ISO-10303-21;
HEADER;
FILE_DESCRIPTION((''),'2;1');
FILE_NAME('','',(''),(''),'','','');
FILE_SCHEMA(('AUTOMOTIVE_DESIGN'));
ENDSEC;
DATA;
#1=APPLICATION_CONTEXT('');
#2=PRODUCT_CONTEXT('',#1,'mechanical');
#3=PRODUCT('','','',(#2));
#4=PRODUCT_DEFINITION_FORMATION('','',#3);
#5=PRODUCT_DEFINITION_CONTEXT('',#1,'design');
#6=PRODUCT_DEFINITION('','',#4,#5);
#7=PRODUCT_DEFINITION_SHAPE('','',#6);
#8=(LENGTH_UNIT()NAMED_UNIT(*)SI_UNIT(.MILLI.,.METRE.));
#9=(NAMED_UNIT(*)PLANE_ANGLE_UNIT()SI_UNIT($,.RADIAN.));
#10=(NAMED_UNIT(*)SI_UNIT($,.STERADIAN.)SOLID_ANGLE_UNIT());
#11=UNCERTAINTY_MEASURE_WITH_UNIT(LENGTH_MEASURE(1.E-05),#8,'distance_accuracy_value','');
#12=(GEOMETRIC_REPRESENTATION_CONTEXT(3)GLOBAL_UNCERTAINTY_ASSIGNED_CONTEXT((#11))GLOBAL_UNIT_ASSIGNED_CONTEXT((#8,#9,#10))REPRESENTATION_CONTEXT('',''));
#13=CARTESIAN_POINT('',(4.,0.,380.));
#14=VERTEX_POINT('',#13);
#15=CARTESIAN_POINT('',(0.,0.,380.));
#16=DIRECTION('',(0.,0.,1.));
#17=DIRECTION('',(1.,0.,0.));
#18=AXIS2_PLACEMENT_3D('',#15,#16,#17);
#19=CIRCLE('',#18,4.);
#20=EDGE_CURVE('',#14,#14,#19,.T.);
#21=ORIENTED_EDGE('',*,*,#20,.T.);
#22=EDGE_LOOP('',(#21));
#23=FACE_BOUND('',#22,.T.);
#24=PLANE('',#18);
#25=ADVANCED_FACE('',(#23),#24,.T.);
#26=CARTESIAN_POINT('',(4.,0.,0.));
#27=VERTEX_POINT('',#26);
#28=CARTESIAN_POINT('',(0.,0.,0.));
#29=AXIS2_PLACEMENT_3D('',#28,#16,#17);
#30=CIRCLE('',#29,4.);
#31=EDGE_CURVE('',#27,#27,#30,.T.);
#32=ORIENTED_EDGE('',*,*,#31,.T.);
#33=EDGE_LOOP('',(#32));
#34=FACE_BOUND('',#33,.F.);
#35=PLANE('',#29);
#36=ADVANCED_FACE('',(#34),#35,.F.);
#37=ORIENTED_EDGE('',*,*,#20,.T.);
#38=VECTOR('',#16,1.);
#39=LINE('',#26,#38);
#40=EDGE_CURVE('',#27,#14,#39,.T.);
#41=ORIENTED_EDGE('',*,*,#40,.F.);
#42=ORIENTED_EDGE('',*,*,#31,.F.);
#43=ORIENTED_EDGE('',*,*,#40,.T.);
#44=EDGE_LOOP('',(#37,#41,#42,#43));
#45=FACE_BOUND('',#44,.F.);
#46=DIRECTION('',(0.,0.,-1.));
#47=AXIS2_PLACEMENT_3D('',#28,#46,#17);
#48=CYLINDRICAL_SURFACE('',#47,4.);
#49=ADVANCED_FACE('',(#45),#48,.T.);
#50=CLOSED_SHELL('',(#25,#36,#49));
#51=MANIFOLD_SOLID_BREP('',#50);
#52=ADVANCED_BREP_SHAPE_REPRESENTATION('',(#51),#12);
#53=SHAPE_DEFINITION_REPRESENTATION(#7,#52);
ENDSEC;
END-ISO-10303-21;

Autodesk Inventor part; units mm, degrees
ref_plane "YZ Plane" through (0, 0, 0) normal (1, 0, 0) x (0, 1, 0)
ref_plane "XZ Plane" through (0, 0, 0) normal (0, 1, 0) x (-1, 0, 0)
ref_plane "XY Plane" through (0, 0, 0) normal (0, 0, 1) x (1, 0, 0)
sketch "Sketch1" plane through (0, 0, 0) normal (0, 0, 1) x (1, 0, 0)
  circle A0 centre (0, 0) radius 4
  dimension "d0" = 8
extrude "Extrusion1" add sketch "Sketch1" along normal blind 380
properties part number "380mm mil"
